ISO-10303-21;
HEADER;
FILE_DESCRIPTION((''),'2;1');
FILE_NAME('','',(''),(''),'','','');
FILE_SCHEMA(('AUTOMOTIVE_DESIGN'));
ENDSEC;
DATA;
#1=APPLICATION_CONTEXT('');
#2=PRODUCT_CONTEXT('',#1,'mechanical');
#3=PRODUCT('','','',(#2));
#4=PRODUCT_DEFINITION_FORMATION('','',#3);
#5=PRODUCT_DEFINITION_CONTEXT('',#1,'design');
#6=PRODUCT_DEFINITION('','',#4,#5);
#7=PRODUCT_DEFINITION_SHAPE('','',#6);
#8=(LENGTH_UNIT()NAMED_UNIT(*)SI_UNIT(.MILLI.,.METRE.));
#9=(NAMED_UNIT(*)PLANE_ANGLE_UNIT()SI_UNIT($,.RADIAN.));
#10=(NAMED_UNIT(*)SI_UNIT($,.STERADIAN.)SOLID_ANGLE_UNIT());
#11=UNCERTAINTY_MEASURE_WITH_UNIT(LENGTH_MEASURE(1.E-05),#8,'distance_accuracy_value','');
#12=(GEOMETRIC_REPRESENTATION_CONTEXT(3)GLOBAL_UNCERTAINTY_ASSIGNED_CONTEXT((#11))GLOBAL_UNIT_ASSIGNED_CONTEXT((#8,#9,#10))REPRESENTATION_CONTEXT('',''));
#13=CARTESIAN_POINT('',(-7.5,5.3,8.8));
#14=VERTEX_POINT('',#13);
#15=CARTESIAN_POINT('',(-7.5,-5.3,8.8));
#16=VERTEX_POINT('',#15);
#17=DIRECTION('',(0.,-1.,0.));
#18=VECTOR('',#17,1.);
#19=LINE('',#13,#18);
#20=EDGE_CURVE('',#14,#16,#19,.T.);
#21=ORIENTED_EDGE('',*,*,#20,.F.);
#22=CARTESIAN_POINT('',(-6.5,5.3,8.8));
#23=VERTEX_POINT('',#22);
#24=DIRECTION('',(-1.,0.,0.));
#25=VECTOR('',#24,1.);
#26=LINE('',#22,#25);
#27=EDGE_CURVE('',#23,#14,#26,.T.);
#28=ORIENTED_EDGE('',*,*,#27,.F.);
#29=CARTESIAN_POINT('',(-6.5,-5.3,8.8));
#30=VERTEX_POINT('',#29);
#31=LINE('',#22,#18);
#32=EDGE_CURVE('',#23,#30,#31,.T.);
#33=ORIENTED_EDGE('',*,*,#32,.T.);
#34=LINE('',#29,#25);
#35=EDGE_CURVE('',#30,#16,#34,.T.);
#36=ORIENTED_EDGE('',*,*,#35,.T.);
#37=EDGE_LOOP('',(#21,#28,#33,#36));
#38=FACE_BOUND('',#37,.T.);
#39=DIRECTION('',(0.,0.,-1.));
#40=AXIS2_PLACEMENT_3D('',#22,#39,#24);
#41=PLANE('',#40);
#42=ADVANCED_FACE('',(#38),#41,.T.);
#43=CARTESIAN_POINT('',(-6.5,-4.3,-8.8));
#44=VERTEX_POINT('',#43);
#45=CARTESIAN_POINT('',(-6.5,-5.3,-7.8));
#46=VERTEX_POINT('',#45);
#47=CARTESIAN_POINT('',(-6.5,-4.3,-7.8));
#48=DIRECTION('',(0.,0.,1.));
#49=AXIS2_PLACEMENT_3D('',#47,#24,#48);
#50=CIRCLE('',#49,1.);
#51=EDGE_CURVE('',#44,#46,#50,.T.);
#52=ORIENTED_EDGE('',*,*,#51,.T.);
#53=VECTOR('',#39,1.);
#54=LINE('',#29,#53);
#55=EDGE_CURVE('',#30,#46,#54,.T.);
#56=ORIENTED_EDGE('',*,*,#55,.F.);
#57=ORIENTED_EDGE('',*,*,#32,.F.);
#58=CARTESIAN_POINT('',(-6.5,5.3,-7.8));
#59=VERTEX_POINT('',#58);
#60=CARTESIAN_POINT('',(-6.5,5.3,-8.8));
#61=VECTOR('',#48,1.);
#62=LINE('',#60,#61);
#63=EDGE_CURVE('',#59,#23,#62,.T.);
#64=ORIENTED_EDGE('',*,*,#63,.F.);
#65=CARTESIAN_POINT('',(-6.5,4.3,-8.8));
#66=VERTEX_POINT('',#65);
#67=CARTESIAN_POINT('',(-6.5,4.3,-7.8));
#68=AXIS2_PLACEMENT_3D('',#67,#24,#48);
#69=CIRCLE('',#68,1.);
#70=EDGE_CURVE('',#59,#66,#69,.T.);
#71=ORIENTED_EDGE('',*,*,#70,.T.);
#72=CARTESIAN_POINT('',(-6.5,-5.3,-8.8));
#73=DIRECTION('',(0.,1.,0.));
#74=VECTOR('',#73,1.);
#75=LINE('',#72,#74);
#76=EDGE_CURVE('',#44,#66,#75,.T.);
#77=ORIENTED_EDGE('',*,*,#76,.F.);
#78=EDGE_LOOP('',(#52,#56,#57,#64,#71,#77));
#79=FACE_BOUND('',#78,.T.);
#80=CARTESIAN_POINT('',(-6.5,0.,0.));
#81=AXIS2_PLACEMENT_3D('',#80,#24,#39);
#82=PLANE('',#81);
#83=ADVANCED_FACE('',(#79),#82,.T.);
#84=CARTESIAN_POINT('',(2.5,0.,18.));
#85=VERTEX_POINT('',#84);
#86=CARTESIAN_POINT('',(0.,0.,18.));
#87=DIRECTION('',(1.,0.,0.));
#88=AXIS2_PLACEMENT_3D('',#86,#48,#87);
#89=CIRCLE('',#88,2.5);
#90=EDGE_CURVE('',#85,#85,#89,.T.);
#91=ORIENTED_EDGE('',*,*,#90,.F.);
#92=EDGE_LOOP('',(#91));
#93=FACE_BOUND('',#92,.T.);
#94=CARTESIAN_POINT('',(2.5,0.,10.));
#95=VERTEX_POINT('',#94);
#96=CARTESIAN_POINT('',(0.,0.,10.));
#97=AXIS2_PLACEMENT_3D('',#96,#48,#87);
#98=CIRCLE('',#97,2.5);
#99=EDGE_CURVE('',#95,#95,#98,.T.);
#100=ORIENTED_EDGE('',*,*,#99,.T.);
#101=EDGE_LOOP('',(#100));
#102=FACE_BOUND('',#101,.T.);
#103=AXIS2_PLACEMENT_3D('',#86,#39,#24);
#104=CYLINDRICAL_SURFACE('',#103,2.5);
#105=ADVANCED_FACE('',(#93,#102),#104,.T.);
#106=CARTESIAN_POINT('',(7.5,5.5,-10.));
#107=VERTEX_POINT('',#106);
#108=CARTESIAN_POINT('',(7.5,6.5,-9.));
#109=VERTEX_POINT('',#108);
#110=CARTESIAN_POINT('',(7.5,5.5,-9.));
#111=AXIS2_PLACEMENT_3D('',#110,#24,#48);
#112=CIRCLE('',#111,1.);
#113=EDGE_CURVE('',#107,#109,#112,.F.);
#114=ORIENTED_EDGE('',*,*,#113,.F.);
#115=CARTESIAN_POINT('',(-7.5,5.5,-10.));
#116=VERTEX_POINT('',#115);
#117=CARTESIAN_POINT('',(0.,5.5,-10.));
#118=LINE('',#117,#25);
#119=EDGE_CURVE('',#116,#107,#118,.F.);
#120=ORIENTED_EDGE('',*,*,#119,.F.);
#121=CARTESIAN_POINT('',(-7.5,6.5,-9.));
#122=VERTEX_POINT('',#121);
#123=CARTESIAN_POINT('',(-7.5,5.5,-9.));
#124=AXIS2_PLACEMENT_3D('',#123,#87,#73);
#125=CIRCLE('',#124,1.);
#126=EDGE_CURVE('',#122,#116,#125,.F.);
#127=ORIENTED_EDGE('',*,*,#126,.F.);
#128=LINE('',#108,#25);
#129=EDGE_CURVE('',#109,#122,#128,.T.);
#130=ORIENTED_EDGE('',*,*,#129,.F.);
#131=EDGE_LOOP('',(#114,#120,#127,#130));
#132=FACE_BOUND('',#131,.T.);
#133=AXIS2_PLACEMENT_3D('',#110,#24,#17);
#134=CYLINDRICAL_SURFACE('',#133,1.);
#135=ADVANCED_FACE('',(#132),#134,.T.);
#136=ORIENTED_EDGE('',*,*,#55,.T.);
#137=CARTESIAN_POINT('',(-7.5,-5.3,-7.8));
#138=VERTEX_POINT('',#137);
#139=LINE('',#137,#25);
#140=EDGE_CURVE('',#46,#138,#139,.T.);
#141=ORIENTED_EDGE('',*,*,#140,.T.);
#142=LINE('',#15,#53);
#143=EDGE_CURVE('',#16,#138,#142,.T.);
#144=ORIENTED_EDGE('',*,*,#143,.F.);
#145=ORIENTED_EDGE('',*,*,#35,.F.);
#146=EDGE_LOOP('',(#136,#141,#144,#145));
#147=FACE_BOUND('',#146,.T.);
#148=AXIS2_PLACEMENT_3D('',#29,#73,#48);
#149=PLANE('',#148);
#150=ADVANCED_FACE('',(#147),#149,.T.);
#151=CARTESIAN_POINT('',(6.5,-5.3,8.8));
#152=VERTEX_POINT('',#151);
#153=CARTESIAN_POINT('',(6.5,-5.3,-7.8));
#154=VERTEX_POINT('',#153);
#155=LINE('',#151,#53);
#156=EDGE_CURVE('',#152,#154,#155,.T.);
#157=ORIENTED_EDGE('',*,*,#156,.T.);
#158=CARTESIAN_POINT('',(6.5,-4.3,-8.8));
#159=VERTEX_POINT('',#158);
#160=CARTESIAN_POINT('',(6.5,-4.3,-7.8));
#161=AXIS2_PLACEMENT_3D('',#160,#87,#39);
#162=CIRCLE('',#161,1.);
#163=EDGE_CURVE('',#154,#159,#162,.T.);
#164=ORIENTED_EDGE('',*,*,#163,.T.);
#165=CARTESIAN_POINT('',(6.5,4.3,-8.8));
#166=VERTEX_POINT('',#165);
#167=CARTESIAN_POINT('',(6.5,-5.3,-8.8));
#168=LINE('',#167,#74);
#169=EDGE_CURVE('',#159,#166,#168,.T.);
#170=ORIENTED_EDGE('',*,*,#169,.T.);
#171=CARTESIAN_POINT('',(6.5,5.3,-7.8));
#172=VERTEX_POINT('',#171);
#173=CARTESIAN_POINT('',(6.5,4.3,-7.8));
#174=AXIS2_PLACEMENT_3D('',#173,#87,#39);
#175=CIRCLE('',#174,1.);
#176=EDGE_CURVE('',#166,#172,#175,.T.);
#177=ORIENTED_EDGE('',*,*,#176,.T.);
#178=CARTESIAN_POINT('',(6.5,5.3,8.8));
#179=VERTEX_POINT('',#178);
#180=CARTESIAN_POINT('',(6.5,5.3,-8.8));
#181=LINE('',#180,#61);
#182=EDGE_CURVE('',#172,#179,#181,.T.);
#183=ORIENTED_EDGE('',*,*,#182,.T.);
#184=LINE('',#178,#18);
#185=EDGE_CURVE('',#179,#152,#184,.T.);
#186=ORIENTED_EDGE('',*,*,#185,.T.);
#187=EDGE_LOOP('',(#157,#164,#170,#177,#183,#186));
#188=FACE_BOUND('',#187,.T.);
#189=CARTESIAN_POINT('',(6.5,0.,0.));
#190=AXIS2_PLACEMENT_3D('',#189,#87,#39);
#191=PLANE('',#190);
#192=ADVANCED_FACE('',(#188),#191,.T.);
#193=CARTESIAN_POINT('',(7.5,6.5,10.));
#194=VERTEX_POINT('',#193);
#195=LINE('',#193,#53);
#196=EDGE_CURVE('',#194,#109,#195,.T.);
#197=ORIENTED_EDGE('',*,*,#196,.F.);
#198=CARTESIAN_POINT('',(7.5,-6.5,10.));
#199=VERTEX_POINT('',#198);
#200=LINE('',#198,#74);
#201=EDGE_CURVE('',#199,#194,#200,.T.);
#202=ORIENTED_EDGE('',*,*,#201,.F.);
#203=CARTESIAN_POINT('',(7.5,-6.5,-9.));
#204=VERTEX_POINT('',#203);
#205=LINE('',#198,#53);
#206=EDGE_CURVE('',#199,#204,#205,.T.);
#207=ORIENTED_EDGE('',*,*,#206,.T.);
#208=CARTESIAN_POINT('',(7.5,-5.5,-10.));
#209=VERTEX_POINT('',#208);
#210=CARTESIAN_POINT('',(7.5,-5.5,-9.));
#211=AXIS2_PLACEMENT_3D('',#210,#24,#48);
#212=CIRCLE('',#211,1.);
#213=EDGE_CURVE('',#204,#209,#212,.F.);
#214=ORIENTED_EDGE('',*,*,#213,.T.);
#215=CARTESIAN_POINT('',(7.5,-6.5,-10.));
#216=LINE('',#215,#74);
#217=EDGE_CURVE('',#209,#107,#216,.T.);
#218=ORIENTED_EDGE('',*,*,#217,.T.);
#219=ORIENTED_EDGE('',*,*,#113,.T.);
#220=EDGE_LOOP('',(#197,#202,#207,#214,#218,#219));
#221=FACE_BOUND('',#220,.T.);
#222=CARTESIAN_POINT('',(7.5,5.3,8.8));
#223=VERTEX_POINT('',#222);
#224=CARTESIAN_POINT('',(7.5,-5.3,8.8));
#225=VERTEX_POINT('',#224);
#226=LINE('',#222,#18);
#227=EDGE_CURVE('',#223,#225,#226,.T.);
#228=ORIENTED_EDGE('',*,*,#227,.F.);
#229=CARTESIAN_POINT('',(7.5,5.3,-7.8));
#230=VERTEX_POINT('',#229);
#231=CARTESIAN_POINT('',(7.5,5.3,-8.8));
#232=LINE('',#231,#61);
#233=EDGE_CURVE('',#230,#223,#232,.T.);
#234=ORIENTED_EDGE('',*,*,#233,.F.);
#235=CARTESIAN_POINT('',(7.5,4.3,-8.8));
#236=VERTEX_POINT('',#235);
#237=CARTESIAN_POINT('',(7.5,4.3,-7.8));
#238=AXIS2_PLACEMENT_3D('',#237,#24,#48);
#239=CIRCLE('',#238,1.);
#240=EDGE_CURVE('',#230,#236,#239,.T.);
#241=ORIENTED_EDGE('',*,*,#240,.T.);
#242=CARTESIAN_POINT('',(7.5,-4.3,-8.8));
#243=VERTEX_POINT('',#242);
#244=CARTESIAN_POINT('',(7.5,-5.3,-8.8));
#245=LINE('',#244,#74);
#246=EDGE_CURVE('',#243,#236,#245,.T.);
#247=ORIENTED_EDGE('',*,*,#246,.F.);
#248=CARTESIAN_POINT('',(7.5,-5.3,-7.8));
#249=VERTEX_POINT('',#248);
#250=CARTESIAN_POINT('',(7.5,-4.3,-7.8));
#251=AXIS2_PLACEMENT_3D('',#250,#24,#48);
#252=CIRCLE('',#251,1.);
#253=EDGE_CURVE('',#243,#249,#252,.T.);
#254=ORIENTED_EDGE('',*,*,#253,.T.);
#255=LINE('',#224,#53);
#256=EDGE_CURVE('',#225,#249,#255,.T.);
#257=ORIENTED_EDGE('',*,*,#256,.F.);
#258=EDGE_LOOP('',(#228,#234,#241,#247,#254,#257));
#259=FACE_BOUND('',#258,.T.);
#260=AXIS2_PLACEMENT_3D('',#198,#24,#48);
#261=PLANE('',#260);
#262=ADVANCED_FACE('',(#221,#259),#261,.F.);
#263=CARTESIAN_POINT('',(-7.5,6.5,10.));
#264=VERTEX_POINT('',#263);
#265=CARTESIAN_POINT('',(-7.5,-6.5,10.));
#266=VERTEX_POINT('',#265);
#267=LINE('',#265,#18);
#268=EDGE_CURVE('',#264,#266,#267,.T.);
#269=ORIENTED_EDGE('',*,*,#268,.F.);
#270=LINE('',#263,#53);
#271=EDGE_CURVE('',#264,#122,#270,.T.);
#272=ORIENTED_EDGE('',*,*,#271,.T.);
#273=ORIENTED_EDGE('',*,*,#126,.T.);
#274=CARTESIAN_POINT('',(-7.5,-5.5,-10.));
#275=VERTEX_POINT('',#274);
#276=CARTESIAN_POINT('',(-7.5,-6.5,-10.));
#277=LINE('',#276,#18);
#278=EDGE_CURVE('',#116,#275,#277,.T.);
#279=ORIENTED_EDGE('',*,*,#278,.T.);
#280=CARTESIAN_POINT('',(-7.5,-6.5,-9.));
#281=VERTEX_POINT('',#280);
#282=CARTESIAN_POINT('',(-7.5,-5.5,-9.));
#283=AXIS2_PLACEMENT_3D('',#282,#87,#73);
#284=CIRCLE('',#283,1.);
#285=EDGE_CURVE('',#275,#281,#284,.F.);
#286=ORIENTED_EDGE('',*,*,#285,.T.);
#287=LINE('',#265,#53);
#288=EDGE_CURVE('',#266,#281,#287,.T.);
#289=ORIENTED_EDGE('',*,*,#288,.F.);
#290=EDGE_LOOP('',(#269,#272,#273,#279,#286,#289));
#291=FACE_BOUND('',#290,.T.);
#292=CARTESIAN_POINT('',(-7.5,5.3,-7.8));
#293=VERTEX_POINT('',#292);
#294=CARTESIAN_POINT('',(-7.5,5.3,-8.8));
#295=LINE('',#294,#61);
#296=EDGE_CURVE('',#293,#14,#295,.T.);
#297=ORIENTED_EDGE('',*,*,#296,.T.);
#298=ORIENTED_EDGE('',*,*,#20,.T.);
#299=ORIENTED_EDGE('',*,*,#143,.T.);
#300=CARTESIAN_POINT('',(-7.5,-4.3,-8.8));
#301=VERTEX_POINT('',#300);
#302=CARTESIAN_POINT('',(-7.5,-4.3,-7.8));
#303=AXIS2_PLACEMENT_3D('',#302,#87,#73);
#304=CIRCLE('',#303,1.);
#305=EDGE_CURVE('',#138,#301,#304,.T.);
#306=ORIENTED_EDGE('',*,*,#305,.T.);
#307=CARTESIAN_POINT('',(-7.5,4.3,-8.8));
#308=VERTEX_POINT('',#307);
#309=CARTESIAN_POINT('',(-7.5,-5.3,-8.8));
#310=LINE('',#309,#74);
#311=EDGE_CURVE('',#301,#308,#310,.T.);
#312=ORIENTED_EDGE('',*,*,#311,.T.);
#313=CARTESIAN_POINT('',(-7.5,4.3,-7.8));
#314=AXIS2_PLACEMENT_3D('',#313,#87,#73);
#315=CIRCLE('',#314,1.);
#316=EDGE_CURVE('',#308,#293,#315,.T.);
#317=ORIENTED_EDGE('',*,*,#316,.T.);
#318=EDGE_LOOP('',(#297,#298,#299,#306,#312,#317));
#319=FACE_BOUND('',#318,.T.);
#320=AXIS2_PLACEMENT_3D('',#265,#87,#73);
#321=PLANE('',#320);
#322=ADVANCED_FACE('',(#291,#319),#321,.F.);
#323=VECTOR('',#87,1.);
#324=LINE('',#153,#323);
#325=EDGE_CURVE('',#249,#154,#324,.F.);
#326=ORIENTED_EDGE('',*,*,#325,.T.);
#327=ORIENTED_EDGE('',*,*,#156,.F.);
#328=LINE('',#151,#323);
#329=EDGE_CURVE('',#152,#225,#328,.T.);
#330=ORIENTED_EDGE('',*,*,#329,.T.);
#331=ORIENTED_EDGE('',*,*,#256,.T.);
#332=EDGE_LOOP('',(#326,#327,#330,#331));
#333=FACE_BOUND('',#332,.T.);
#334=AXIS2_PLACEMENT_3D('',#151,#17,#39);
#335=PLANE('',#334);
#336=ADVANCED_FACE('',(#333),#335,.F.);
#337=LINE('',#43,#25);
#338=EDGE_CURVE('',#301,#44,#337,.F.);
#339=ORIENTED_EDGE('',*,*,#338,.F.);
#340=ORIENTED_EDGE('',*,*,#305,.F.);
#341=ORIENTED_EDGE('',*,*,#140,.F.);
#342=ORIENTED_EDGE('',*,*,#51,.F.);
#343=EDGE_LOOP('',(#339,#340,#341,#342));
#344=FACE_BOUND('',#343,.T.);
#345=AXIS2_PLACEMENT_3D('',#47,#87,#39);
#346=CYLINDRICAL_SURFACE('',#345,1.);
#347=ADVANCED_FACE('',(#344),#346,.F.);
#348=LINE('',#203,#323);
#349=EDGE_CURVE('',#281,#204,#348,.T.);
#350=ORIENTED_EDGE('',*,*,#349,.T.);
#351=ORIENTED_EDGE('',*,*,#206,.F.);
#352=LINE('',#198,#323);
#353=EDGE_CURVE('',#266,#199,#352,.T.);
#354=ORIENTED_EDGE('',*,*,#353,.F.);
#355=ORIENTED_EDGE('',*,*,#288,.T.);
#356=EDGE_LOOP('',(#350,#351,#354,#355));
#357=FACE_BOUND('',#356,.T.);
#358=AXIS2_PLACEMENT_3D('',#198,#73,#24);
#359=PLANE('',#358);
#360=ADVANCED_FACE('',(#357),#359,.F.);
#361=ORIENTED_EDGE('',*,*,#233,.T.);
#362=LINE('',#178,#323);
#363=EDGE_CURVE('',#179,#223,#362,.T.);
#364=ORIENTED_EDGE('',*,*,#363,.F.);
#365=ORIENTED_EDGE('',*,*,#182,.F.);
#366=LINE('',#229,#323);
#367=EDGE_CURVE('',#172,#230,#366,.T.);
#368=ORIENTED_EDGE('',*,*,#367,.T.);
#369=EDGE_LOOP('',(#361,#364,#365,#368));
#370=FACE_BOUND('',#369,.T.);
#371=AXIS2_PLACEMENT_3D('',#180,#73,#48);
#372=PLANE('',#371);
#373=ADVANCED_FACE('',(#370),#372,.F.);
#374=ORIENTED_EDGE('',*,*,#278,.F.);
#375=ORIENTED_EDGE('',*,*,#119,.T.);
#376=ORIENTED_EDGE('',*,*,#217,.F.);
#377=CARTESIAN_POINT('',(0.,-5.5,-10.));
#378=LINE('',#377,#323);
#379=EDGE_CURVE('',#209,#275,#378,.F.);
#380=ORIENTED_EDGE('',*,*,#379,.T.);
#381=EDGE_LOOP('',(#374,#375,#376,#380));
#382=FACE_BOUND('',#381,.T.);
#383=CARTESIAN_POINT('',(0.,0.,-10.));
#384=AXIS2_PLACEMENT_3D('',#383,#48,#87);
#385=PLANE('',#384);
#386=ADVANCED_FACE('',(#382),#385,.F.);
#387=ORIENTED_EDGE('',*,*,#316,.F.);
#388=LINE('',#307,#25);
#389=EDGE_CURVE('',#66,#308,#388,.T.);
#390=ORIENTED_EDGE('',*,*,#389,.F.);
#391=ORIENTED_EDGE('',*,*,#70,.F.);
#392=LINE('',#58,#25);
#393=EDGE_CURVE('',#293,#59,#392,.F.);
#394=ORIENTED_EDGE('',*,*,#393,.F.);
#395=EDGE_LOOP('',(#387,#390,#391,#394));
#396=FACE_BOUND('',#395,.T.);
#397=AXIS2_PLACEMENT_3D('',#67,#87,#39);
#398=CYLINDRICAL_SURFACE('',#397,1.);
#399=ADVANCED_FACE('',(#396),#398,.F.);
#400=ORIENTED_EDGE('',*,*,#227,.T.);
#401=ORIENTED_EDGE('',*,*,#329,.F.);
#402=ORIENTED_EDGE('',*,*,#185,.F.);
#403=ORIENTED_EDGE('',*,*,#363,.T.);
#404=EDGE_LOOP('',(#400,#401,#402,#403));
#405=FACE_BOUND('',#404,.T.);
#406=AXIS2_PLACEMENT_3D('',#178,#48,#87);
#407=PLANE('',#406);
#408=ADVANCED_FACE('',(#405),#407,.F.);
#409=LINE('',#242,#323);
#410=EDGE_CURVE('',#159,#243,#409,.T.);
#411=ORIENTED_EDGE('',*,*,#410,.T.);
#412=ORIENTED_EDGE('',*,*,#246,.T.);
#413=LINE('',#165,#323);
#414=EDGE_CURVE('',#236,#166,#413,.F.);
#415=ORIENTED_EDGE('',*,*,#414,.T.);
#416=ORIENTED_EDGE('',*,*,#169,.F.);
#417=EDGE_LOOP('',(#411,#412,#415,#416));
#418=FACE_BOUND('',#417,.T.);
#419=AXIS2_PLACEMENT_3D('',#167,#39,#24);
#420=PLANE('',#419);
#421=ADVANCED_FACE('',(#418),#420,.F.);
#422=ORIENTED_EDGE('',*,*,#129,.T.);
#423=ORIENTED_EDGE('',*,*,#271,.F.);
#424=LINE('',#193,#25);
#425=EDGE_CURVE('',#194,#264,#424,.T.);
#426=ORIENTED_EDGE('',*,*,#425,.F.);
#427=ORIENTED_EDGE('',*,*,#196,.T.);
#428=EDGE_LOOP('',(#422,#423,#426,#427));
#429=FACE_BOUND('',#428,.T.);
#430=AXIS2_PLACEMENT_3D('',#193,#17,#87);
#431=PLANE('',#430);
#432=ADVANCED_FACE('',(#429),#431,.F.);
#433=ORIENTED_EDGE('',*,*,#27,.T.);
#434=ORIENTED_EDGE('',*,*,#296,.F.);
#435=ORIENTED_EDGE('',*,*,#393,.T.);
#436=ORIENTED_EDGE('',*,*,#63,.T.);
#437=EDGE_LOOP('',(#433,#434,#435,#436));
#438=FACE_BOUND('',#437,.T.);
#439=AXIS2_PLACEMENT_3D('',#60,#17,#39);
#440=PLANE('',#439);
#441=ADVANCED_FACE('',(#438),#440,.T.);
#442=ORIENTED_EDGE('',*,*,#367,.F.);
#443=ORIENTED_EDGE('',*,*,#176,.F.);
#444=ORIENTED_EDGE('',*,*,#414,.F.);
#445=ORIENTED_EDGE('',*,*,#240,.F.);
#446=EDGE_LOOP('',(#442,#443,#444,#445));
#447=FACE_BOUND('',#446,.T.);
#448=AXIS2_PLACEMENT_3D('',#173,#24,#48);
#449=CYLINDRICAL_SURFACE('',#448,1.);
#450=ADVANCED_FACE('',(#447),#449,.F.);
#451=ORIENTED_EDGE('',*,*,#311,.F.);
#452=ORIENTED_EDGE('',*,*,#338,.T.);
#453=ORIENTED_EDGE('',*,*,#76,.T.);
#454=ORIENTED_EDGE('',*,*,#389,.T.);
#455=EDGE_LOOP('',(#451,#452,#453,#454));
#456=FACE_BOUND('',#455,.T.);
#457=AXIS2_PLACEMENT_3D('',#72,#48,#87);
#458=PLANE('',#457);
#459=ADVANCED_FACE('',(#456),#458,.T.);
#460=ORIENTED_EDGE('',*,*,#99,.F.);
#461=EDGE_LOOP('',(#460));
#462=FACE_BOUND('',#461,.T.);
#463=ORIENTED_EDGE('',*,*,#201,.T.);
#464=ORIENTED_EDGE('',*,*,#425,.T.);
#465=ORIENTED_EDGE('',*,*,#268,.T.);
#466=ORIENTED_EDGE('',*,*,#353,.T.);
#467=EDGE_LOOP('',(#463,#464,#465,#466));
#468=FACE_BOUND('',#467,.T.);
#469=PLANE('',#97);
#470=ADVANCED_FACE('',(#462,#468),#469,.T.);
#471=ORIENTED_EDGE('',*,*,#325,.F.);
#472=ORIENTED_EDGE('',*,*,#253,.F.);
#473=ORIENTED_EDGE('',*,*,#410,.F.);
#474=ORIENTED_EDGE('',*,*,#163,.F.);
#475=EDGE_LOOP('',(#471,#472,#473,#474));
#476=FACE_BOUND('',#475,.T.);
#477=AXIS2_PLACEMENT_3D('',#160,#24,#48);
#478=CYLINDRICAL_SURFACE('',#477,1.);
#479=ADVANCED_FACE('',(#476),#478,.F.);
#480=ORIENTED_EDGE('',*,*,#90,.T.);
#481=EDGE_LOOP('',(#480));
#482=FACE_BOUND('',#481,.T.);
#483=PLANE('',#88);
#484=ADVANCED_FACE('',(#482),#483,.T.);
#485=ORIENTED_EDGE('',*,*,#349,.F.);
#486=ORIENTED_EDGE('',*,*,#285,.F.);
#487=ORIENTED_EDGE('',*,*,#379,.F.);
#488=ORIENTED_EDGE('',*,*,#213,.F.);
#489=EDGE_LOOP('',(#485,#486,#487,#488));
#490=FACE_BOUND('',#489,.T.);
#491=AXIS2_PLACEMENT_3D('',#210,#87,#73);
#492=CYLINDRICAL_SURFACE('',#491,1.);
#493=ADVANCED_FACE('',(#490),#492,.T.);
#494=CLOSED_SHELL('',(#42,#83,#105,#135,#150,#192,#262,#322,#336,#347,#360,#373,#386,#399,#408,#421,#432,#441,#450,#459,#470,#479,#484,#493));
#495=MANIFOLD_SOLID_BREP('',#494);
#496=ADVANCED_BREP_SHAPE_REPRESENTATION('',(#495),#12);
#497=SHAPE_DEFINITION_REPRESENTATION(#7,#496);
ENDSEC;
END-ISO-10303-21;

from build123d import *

# Parameters (mm, degrees)
ESQUISSE1_W             = 15
ESQUISSE1_H             = 13
BOSS_EXTRU_1_DEPTH      = 10
CONG_1_R                = 1
ESQUISSE2_W             = 17.6
ESQUISSE2_H             = 10.6
ENL_V_MAT_EXTRU_1_DEPTH = 1
CONG_2_R                = 1
CONG_2_OF_SYM_TRIE1_R   = 1
ESQUISSE3_R             = 2.5
BOSS_EXTRU_2_DEPTH      = 8


with BuildPart() as part:
    # Esquisse1 → Boss.-Extru.1 (new, symmetric)
    with BuildSketch(Plane.XY):
        Rectangle(ESQUISSE1_W, ESQUISSE1_H)
    extrude(amount=BOSS_EXTRU_1_DEPTH, both=True)

    # Congé1
    cong_1_edges = [part.edges().sort_by_distance(p)[0] for p in [
        (0, 6.5, -10),
        (0, -6.5, -10),
    ]]
    fillet(cong_1_edges, radius=CONG_1_R)

    # Esquisse2 → Enlèv. mat.-Extru.1 (cut)
    with BuildSketch(Plane(origin=(7.5, 0, 0), x_dir=(0, 0, -1), z_dir=(1, 0, 0))):
        Rectangle(ESQUISSE2_W, ESQUISSE2_H)
    enl_v_mat_extru_1 = extrude(amount=-ENL_V_MAT_EXTRU_1_DEPTH, mode=Mode.SUBTRACT)

    # Congé2
    cong_2_edges = [part.edges().sort_by_distance(p)[0] for p in [
        (7, 5.3, -8.8),
        (7, -5.3, -8.8),
    ]]
    fillet(cong_2_edges, radius=CONG_2_R)

    # Symétrie1: Enlèv. mat.-Extru.1 across plane
    add(enl_v_mat_extru_1.mirror(Plane(origin=(0, 0, 0), x_dir=(0, 0, 1), z_dir=(1, 0, 0))), mode=Mode.SUBTRACT)

    # Congé2 of Symétrie1
    cong_2_of_sym_trie1_edges = [part.edges().sort_by_distance(p)[0] for p in [
        (-7, 5.3, -8.8),
        (-7, -5.3, -8.8),
    ]]
    fillet(cong_2_of_sym_trie1_edges, radius=CONG_2_OF_SYM_TRIE1_R)

    # Esquisse3 → Boss.-Extru.2 (add)
    with BuildSketch(Plane.XY.offset(10)):
        Circle(ESQUISSE3_R)
    extrude(amount=BOSS_EXTRU_2_DEPTH)


solid = part.part
